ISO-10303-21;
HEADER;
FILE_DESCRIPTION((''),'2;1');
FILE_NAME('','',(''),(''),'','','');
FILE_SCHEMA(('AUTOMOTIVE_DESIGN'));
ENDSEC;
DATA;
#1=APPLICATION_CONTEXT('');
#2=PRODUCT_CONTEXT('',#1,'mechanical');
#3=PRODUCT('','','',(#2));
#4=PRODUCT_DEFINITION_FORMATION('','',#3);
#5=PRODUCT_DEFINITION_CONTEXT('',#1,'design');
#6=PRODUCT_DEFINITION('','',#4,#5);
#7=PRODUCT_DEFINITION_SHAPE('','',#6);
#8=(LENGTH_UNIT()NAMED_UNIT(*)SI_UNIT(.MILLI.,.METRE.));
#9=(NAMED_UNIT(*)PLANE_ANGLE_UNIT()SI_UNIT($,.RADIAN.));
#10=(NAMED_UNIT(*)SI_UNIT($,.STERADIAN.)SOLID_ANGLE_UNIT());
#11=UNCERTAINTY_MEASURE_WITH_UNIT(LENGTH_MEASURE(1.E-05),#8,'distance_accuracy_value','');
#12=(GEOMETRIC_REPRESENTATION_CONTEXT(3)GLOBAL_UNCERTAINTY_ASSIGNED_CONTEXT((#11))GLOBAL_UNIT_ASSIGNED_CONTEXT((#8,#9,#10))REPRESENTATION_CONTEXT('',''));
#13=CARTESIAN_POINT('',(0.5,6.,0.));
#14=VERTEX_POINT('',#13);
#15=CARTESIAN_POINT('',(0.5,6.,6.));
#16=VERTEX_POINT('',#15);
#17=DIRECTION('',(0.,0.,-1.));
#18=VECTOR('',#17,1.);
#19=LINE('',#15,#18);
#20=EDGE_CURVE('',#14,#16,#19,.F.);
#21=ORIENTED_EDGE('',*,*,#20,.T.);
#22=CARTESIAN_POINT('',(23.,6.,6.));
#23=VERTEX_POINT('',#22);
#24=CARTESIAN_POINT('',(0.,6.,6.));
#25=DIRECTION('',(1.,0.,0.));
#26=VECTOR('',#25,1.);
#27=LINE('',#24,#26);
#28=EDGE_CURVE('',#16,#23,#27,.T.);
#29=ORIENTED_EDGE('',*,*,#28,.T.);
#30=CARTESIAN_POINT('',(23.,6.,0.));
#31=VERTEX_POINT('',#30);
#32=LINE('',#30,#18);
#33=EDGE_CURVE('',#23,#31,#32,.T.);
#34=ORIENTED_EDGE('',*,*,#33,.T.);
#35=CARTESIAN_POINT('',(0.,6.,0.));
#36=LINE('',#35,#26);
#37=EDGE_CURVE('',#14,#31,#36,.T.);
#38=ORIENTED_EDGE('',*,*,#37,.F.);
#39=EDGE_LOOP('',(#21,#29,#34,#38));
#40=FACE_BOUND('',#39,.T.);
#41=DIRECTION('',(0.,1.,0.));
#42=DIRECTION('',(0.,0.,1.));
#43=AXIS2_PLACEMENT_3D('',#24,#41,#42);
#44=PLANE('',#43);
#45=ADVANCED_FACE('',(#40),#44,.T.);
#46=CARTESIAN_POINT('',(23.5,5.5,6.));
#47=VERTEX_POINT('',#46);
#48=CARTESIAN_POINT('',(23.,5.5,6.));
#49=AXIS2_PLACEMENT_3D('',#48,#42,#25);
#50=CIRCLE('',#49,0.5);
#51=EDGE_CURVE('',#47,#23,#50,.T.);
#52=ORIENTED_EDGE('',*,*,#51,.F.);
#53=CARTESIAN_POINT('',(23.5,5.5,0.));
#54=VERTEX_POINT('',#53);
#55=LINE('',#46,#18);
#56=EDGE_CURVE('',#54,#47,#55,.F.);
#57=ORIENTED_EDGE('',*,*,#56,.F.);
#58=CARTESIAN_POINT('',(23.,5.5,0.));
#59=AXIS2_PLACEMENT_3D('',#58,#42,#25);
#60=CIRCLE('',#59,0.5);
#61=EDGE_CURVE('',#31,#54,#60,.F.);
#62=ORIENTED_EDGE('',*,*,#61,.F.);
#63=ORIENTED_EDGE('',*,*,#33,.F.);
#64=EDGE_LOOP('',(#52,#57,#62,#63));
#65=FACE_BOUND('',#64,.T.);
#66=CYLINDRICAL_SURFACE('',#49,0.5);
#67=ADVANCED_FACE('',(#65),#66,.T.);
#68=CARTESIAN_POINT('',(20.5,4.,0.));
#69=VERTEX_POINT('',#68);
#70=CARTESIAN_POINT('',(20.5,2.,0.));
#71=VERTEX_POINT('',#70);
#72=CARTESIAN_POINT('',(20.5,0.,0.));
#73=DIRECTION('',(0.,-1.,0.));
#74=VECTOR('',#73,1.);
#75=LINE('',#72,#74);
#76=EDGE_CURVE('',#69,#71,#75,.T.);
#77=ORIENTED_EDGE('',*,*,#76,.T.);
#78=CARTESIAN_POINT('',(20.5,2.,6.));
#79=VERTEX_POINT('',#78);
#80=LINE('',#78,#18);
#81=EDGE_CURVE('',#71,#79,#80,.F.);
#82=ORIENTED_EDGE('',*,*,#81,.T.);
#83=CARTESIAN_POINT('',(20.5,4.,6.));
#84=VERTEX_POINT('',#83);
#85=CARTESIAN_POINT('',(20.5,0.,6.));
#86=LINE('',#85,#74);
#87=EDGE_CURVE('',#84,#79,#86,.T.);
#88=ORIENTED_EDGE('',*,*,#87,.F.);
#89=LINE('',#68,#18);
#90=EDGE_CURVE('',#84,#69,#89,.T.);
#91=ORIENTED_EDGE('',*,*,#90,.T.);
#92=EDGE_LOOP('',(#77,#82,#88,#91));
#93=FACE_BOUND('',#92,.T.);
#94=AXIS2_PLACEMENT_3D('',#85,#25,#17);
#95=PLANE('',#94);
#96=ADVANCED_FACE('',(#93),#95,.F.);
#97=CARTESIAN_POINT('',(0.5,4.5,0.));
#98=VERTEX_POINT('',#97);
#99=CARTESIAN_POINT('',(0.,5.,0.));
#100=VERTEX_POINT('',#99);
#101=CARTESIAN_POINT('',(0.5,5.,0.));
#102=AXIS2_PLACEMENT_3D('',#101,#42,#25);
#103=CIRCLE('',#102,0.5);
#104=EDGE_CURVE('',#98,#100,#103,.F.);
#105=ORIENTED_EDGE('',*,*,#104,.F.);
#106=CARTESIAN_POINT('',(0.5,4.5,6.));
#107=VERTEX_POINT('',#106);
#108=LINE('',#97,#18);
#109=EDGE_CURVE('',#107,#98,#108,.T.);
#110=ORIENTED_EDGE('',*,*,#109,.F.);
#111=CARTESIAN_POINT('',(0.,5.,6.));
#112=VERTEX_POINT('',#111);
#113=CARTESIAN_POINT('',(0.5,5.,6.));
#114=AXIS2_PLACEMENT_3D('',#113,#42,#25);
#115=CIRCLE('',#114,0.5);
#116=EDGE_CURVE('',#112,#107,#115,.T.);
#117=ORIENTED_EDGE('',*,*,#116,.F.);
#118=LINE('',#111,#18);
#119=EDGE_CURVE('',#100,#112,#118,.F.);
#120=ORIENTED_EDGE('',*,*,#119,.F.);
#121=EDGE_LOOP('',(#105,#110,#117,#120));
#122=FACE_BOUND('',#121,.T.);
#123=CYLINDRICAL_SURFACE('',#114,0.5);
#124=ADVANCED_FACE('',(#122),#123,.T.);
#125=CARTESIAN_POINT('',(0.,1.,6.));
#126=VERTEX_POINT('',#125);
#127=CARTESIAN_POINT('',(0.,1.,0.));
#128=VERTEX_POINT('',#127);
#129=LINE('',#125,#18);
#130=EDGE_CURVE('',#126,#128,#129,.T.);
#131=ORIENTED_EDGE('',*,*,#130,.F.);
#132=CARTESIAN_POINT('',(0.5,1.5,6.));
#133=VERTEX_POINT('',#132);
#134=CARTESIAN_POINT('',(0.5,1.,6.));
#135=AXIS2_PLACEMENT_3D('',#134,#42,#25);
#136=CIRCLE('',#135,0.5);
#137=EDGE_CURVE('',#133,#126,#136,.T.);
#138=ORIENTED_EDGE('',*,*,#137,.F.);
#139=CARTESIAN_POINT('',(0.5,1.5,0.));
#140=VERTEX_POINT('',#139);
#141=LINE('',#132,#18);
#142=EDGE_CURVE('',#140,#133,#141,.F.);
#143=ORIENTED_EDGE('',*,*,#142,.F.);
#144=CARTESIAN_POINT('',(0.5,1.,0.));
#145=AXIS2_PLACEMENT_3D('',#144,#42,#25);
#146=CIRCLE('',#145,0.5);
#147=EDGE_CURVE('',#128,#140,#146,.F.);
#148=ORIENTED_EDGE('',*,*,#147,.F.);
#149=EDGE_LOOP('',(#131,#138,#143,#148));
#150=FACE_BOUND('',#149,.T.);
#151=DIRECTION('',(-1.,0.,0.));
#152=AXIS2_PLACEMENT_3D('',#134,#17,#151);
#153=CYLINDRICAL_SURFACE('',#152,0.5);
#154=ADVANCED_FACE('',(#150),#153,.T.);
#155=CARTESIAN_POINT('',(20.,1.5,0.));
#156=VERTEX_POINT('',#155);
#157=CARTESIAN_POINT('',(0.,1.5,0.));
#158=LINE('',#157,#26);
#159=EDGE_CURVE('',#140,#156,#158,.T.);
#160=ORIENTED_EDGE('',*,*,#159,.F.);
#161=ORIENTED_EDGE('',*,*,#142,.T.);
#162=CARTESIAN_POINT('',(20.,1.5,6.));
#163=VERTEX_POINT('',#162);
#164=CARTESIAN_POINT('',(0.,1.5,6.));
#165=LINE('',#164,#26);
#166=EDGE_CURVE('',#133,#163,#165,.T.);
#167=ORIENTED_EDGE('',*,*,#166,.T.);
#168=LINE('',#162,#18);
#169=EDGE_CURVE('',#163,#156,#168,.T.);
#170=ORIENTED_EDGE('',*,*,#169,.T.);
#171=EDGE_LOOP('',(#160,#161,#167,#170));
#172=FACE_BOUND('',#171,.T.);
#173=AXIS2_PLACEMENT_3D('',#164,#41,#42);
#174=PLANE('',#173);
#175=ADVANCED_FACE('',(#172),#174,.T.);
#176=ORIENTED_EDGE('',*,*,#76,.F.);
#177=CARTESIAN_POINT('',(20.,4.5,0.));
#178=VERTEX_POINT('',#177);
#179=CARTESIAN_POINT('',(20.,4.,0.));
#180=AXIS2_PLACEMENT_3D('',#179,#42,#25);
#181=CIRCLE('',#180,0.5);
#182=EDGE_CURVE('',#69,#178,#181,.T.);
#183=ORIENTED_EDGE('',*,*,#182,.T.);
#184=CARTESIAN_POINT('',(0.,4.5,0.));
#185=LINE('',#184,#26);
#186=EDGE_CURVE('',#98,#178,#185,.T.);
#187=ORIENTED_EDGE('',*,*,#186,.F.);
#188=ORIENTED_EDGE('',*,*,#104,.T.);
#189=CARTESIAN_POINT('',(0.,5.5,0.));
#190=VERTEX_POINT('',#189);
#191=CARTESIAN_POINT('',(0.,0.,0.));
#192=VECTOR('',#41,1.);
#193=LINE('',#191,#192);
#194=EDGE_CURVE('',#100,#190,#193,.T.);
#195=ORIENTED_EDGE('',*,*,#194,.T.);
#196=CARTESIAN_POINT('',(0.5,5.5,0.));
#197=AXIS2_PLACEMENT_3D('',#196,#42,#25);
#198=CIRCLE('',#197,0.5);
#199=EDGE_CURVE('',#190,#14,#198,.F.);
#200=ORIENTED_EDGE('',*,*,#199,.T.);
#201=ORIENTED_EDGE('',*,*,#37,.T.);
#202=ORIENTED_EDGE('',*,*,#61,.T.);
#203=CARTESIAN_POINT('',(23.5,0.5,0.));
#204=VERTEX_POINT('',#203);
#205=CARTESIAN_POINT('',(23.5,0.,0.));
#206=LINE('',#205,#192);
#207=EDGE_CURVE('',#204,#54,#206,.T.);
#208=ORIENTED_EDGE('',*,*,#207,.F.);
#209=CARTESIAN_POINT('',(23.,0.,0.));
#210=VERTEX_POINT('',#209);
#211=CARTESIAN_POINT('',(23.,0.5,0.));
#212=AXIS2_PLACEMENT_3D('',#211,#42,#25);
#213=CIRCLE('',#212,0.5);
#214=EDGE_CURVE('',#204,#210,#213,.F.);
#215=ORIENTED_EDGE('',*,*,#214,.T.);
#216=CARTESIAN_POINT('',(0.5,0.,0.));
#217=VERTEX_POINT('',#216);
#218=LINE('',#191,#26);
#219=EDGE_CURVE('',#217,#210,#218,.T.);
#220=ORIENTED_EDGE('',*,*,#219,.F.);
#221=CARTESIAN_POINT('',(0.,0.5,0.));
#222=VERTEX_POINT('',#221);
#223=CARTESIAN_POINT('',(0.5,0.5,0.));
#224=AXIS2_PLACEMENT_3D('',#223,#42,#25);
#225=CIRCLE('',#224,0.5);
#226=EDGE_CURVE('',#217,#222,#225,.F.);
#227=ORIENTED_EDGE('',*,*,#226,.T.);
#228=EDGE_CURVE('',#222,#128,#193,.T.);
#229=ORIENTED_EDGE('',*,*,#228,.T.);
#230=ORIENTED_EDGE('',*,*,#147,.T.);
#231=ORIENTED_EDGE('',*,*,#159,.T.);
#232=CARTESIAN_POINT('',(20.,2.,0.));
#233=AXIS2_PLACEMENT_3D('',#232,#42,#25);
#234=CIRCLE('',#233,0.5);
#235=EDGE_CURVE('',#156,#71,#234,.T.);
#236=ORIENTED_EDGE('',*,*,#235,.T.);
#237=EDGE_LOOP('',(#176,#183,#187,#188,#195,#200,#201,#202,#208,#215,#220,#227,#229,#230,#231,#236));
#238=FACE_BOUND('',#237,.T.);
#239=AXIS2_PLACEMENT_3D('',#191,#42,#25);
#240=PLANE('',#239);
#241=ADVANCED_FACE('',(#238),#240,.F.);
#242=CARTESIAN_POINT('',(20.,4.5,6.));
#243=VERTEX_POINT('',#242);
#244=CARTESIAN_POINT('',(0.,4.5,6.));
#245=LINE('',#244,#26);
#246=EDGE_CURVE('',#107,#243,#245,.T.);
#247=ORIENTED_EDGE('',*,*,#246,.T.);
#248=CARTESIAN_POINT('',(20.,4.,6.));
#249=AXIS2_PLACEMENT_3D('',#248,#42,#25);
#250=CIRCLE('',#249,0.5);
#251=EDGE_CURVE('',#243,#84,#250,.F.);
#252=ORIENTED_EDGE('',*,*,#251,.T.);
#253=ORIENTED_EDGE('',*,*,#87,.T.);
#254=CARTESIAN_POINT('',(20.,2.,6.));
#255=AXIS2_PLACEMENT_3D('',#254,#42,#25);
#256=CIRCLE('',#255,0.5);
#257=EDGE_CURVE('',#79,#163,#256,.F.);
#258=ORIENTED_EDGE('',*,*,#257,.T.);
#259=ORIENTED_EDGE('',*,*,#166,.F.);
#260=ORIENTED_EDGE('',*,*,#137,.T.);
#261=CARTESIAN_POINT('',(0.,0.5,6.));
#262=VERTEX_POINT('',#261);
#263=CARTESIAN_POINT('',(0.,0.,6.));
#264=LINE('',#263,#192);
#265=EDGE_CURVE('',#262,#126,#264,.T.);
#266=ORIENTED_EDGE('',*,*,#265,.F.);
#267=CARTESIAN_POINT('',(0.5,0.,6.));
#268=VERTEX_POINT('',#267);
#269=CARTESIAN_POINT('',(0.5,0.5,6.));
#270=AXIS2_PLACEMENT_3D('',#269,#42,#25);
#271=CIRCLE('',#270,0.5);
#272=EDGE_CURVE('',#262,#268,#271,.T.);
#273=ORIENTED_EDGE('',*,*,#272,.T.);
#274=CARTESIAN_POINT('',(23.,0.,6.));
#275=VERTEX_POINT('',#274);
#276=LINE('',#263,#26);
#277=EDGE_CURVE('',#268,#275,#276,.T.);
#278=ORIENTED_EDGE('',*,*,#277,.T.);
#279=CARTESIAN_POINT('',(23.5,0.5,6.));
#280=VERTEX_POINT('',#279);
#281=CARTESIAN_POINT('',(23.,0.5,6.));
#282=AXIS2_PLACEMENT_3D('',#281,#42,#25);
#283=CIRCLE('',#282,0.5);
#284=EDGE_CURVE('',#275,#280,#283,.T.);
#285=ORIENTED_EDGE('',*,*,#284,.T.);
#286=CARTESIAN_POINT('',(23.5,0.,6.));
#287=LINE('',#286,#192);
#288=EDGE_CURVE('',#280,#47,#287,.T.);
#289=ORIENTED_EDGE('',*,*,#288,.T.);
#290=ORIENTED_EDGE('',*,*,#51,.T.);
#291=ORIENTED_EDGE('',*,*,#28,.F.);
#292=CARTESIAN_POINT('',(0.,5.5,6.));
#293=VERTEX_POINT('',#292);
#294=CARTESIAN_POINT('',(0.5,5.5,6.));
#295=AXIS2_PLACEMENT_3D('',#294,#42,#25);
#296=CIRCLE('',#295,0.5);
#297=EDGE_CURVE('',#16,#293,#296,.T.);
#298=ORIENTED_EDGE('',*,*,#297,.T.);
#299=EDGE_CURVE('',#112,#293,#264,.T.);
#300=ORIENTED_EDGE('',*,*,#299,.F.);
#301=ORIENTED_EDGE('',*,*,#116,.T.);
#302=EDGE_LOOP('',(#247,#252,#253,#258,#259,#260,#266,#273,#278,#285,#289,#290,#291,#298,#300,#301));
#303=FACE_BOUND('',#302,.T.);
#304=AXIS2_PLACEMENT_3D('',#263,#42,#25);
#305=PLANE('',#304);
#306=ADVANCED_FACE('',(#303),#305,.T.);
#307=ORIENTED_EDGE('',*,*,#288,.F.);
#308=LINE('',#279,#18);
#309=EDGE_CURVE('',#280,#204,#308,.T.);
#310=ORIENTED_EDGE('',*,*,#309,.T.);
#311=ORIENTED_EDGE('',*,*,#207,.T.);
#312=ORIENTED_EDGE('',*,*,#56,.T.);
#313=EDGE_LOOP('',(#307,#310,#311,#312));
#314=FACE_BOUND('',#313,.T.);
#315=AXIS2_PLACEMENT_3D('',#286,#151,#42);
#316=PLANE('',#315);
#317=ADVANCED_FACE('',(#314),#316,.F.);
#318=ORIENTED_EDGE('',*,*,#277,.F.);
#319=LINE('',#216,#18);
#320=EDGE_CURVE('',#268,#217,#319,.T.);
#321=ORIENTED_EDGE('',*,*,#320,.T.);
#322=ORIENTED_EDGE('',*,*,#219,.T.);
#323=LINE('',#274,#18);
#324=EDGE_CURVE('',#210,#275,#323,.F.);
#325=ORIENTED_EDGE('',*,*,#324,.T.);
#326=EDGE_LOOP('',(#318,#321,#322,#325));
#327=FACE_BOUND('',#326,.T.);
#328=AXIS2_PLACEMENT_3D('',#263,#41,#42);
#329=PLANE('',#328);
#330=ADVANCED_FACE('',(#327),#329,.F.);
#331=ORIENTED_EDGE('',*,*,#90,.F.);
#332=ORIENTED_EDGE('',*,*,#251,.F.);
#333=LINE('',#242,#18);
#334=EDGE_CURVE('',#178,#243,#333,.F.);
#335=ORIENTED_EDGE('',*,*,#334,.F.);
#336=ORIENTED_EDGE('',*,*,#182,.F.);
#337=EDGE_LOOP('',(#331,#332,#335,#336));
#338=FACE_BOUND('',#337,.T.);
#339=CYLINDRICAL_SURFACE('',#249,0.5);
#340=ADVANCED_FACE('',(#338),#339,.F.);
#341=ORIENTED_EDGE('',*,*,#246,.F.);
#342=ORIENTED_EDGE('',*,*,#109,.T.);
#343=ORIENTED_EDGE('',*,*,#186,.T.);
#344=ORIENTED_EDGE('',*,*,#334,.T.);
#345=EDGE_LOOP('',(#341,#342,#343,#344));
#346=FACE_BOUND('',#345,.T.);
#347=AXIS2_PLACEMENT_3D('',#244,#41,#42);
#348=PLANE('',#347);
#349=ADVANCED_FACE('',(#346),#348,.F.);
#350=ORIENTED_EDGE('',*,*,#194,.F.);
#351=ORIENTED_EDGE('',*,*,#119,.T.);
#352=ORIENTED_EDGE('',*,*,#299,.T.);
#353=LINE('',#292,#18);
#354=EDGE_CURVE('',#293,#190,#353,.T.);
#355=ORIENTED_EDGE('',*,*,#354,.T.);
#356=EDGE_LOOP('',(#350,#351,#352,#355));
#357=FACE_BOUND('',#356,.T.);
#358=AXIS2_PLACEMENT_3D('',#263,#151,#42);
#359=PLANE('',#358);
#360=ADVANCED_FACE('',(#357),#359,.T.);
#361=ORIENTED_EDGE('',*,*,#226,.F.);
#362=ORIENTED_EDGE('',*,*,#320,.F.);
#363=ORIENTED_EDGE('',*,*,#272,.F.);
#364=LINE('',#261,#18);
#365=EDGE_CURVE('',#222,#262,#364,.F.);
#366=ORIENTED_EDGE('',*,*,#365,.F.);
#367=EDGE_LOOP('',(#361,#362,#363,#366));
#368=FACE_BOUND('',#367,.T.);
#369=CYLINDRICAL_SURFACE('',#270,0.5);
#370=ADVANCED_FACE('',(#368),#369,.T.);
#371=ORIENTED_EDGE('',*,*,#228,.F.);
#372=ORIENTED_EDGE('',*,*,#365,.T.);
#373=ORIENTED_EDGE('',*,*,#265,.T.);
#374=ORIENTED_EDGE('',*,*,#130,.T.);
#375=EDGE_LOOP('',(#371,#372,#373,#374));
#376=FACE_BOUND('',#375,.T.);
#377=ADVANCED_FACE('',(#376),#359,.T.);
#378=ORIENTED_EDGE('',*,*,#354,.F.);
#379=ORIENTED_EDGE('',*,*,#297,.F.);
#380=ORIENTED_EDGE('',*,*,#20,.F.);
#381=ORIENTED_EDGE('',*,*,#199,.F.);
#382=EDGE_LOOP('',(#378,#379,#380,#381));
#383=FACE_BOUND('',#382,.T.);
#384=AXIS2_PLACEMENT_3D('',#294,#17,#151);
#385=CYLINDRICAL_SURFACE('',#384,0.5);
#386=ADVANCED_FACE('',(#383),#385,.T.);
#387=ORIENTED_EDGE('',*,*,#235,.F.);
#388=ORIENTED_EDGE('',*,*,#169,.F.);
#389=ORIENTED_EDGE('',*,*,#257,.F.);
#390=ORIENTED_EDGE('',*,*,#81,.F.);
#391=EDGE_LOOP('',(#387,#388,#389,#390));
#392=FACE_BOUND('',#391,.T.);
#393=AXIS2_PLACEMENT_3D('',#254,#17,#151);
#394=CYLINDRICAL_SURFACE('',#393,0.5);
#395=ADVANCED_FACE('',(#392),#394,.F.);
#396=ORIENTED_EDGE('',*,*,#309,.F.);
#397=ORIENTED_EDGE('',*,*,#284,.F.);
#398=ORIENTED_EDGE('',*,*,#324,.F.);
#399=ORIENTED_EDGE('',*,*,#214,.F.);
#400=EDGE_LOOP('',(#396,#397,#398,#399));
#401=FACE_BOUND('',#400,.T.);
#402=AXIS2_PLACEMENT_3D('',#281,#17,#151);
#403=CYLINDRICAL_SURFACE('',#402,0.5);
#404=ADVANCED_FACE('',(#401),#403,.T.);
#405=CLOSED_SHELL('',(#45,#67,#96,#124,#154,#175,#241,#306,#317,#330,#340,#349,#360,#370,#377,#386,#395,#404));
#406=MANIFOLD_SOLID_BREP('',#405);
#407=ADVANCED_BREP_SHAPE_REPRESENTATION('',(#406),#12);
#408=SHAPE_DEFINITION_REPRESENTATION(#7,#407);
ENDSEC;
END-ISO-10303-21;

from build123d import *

# Parameters (mm, degrees)
BOSS_EXTRUDE1_DEPTH = 6
FILLET1_R           = 0.5


with BuildPart() as part:
    # Sketch2 → Boss-Extrude1 (new body)
    with BuildSketch(Plane.XY):
        Polygon((0, 1.5), (0, 0), (23.5, 0), (23.5, 6), (0, 6), (0, 4.5), (20.5, 4.5), (20.5, 1.5), align=None)
    extrude(amount=BOSS_EXTRUDE1_DEPTH)

    # Fillet1
    fillet1_edges = [part.edges().sort_by_distance(p)[0] for p in [
        (0, 4.5, 3),
        (0, 6, 3),
        (23.5, 6, 3),
        (23.5, 0, 3),
        (0, 0, 3),
        (0, 1.5, 3),
        (20.5, 1.5, 3),
        (20.5, 4.5, 3),
    ]]
    fillet(fillet1_edges, radius=FILLET1_R)


solid = part.part
